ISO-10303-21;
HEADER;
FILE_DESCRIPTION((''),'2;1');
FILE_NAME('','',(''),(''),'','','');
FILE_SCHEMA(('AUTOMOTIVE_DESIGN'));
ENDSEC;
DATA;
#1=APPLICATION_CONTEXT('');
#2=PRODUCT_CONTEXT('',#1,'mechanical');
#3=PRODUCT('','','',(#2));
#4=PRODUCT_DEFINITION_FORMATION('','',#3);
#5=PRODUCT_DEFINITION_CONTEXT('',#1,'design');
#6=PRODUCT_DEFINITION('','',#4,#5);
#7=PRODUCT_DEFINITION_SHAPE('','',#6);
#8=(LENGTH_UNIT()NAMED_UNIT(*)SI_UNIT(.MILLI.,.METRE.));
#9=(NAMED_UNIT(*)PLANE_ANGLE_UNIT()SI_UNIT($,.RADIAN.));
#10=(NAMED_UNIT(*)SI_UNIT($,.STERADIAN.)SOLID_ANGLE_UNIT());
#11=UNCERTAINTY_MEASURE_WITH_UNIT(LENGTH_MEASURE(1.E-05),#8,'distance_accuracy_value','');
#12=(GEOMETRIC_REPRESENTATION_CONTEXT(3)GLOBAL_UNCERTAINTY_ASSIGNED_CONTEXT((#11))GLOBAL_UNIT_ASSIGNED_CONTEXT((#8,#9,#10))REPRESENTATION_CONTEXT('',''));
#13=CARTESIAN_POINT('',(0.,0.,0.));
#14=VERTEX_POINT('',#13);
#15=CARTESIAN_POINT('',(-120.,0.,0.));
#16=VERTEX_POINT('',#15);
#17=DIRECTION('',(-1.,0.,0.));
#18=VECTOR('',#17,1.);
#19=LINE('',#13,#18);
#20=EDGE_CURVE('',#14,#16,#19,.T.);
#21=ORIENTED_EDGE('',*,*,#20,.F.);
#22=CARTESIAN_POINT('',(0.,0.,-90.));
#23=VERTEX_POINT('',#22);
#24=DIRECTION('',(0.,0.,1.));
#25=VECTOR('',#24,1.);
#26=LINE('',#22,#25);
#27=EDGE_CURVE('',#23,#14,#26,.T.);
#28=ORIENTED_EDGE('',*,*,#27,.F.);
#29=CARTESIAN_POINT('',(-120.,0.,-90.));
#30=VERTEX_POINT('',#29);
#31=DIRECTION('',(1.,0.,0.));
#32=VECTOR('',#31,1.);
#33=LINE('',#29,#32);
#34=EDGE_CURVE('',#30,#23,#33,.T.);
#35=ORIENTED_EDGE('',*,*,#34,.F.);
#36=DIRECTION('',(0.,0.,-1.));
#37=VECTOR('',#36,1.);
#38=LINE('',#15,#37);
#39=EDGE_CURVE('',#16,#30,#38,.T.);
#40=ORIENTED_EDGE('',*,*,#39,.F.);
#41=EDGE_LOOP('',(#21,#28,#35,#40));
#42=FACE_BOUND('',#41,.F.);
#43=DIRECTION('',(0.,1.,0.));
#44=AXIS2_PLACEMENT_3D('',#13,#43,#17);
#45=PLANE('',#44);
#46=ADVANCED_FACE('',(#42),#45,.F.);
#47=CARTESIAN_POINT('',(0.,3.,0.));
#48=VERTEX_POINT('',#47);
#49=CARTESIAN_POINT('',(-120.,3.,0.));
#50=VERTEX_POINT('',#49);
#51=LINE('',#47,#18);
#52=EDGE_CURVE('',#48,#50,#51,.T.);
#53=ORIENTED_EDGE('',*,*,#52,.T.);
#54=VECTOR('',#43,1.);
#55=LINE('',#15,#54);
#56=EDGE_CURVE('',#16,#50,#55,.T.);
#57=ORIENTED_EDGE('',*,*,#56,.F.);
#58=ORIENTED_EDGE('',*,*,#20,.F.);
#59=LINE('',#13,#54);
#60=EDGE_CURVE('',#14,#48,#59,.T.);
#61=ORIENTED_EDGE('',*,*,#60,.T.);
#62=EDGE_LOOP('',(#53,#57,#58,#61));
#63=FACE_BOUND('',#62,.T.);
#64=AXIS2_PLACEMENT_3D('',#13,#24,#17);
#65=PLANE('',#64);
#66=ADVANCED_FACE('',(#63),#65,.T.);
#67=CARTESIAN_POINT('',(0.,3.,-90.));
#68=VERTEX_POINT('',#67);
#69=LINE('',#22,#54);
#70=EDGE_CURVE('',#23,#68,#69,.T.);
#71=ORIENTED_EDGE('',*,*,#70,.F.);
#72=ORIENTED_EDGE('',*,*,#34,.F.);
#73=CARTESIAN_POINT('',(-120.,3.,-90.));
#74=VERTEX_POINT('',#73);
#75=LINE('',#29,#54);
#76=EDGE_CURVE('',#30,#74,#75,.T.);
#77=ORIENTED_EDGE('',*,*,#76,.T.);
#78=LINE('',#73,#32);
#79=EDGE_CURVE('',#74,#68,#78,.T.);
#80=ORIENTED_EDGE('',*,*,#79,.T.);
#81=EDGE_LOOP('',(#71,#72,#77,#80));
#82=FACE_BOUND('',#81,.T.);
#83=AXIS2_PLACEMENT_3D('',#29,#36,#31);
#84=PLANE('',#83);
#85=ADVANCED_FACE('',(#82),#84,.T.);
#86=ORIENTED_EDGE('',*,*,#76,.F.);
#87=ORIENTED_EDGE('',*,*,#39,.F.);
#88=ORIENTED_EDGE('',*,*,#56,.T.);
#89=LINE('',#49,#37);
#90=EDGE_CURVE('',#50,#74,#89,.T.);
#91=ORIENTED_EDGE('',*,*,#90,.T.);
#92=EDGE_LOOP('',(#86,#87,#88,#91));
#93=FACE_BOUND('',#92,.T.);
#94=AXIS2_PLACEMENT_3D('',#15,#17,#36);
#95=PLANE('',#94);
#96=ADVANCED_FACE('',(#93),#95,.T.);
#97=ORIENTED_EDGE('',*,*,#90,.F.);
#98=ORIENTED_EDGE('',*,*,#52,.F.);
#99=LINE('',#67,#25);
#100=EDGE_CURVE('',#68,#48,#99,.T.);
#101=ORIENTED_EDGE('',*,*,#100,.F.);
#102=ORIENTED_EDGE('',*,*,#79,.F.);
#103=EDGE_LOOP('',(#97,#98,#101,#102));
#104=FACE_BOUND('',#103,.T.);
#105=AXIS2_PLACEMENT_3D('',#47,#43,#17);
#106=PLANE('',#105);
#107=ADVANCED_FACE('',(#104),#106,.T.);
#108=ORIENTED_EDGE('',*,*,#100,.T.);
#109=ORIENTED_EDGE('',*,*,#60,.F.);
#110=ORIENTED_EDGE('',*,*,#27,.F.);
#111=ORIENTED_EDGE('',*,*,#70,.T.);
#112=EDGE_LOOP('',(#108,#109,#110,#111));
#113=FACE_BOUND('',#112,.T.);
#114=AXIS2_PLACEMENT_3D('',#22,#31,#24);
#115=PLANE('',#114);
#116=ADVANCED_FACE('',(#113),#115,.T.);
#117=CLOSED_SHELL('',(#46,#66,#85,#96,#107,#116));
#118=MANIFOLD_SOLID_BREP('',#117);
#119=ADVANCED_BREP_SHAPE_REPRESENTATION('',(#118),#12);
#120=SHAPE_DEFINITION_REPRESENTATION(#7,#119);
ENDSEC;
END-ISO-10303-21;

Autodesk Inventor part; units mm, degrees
ref_plane "YZ Plane" through (0, 0, 0) normal (1, 0, 0) x (0, 1, 0)
ref_plane "XZ Plane" through (0, 0, 0) normal (0, 1, 0) x (-1, 0, 0)
ref_plane "XY Plane" through (0, 0, 0) normal (0, 0, 1) x (1, 0, 0)
sketch "Sketch1" plane through (0, 0, 0) normal (0, 1, 0) x (-1, 0, 0)
  line L0 (0, 0) -> (120, 0)
  line L1 (120, 0) -> (120, -90)
  line L2 (120, -90) -> (0, -90)
  line L3 (0, -90) -> (0, 0)
  dimension "d0" = 120
  dimension "d1" = 90
extrude "Extrusion1" add sketch "Sketch1" along normal blind 3
properties part number "compuerta"
